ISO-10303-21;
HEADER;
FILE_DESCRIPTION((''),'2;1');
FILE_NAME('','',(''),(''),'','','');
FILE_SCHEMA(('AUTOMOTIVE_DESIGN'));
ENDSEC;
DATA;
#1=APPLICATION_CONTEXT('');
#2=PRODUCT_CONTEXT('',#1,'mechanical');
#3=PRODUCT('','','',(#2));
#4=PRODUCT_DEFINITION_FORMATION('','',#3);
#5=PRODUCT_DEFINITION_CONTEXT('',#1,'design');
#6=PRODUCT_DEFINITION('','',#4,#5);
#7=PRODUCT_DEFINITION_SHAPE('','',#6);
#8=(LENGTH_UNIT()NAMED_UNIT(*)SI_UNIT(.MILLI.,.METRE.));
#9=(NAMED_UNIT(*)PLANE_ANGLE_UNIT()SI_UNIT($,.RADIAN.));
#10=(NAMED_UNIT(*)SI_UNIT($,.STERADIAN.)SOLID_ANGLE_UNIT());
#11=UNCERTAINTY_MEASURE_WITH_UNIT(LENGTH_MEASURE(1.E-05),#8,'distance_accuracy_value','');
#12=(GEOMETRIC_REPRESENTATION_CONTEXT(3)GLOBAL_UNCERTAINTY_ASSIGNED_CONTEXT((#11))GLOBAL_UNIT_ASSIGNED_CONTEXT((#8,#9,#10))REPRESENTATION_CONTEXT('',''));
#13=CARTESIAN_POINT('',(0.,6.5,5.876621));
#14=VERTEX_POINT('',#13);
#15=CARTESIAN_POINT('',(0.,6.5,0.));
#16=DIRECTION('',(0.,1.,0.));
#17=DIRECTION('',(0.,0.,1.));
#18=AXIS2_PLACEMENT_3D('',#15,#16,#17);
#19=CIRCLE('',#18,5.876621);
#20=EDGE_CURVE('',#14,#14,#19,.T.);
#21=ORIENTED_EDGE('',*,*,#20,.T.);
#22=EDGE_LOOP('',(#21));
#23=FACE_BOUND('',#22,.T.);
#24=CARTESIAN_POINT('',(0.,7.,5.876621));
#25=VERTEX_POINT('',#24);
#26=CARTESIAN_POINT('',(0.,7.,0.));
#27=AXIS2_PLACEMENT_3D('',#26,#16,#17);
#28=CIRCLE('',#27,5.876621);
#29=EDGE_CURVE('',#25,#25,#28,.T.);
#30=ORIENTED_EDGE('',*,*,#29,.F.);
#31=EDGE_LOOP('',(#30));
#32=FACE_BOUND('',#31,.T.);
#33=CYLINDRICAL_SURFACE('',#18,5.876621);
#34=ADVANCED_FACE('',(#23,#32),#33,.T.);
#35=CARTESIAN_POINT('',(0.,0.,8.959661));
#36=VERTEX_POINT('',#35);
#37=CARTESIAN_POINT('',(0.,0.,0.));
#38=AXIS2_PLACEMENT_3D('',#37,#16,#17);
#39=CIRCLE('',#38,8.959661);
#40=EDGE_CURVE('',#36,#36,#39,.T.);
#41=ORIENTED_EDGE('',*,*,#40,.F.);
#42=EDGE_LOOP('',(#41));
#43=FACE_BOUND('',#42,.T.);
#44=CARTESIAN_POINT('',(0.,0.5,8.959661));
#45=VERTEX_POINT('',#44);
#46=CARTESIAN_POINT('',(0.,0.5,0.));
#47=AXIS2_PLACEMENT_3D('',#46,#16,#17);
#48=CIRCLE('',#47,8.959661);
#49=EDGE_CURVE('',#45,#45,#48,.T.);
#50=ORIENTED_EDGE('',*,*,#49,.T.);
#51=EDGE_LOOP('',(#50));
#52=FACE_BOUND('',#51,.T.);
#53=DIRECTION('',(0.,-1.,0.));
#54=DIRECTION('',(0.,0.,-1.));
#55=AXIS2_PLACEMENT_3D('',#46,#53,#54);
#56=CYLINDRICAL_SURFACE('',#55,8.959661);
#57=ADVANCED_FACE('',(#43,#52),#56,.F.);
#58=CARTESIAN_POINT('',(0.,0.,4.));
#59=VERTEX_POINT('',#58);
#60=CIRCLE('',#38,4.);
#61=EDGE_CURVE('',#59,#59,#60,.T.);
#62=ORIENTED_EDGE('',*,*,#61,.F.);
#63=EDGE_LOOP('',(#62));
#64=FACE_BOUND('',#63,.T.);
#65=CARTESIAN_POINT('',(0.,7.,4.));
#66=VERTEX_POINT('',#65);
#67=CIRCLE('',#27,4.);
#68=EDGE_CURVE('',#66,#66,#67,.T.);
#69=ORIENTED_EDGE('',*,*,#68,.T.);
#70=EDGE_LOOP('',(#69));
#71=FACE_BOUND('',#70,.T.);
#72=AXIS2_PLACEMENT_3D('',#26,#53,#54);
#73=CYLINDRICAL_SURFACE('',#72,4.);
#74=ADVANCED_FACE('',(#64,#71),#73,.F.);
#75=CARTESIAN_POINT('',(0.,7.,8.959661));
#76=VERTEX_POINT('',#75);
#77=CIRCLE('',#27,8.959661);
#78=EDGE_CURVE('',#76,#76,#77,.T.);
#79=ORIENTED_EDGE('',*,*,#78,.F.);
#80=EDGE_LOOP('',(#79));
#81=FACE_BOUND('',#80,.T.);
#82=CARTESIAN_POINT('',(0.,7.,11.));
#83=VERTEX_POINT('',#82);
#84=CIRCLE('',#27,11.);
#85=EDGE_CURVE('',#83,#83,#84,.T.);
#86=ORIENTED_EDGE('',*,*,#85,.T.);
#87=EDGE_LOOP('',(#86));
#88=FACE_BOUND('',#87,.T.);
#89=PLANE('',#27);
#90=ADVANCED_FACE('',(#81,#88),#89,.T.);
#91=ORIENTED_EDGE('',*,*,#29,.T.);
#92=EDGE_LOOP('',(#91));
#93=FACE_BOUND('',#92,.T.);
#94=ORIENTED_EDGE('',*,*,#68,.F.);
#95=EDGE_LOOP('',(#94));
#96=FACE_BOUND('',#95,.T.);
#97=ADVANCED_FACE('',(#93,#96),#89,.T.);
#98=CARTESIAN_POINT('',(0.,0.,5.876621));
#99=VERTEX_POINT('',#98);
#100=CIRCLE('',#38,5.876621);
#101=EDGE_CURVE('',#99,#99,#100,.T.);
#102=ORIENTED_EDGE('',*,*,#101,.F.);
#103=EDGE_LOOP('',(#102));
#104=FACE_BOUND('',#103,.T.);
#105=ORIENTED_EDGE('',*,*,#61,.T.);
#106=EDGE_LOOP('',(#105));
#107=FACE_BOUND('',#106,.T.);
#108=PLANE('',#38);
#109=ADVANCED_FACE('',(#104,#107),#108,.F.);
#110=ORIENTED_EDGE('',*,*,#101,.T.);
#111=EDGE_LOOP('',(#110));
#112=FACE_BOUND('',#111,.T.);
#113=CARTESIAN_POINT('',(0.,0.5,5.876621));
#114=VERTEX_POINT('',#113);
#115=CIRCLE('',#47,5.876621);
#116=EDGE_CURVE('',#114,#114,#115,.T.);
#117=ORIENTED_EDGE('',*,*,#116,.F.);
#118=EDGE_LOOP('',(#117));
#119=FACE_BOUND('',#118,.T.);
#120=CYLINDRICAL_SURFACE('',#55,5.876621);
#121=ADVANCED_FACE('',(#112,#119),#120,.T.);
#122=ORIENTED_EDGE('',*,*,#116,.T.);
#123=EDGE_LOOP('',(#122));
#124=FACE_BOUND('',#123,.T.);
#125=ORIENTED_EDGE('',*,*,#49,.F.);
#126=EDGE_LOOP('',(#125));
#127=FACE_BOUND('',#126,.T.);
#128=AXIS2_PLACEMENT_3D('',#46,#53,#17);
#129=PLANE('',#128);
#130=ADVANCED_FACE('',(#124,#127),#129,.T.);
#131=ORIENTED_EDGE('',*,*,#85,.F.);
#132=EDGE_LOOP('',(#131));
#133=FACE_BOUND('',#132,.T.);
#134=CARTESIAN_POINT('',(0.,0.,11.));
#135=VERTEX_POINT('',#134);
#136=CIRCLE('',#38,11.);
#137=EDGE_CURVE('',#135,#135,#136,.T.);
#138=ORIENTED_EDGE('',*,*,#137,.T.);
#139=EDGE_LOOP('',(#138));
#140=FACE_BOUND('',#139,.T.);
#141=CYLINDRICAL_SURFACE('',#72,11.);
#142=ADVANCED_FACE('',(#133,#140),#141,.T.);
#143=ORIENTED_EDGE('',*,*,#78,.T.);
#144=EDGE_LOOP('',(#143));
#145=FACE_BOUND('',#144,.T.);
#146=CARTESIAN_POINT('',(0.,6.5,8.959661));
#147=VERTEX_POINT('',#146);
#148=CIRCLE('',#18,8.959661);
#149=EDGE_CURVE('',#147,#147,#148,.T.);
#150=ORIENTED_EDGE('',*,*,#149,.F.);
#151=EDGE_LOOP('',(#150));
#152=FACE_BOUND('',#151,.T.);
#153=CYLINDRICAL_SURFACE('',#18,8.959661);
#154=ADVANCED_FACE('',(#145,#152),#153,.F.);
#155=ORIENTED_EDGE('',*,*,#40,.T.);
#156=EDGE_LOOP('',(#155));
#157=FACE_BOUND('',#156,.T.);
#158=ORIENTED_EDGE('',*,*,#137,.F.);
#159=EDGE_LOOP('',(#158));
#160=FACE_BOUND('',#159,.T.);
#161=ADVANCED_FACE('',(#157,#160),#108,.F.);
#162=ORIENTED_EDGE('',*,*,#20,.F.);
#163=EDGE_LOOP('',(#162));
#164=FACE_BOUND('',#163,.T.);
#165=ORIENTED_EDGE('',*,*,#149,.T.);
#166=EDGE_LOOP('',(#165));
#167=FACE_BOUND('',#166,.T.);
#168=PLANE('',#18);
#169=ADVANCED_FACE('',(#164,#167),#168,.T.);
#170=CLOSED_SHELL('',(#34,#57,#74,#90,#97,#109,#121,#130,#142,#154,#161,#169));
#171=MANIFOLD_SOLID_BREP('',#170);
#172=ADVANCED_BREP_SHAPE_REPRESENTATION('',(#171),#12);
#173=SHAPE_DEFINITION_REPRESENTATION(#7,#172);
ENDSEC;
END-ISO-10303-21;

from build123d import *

# Parameters (mm, degrees)
ESQUISSE1_R             = 11
ESQUISSE1_R_2           = 4
BOSS_EXTRU_1_DEPTH      = 7
ESQUISSE2_R             = 8.959660805
ESQUISSE2_R_2           = 5.876621398
ENL_V_MAT_EXTRU_1_DEPTH = 0.5


with BuildPart() as part:
    # Esquisse1 → Boss.-Extru.1 (new body)
    with BuildSketch(Plane(origin=(0, 0, 0), x_dir=(1, 0, 0), z_dir=(0, 1, 0))):
        Circle(ESQUISSE1_R)
        Circle(ESQUISSE1_R_2, mode=Mode.SUBTRACT)
    extrude(amount=BOSS_EXTRU_1_DEPTH)

    # Esquisse2 → Enlèv. mat.-Extru.1 (cut)
    with BuildSketch(Plane(origin=(0, 7, 0), x_dir=(1, 0, 0), z_dir=(0, 1, 0))):
        Circle(ESQUISSE2_R)
        Circle(ESQUISSE2_R_2, mode=Mode.SUBTRACT)
    enl_v_mat_extru_1 = extrude(amount=-ENL_V_MAT_EXTRU_1_DEPTH, mode=Mode.SUBTRACT)

    # Symétrie1: Enlèv. mat.-Extru.1 across plane
    add(enl_v_mat_extru_1.mirror(Plane.ZX.offset(3.5)), mode=Mode.SUBTRACT)


solid = part.part
